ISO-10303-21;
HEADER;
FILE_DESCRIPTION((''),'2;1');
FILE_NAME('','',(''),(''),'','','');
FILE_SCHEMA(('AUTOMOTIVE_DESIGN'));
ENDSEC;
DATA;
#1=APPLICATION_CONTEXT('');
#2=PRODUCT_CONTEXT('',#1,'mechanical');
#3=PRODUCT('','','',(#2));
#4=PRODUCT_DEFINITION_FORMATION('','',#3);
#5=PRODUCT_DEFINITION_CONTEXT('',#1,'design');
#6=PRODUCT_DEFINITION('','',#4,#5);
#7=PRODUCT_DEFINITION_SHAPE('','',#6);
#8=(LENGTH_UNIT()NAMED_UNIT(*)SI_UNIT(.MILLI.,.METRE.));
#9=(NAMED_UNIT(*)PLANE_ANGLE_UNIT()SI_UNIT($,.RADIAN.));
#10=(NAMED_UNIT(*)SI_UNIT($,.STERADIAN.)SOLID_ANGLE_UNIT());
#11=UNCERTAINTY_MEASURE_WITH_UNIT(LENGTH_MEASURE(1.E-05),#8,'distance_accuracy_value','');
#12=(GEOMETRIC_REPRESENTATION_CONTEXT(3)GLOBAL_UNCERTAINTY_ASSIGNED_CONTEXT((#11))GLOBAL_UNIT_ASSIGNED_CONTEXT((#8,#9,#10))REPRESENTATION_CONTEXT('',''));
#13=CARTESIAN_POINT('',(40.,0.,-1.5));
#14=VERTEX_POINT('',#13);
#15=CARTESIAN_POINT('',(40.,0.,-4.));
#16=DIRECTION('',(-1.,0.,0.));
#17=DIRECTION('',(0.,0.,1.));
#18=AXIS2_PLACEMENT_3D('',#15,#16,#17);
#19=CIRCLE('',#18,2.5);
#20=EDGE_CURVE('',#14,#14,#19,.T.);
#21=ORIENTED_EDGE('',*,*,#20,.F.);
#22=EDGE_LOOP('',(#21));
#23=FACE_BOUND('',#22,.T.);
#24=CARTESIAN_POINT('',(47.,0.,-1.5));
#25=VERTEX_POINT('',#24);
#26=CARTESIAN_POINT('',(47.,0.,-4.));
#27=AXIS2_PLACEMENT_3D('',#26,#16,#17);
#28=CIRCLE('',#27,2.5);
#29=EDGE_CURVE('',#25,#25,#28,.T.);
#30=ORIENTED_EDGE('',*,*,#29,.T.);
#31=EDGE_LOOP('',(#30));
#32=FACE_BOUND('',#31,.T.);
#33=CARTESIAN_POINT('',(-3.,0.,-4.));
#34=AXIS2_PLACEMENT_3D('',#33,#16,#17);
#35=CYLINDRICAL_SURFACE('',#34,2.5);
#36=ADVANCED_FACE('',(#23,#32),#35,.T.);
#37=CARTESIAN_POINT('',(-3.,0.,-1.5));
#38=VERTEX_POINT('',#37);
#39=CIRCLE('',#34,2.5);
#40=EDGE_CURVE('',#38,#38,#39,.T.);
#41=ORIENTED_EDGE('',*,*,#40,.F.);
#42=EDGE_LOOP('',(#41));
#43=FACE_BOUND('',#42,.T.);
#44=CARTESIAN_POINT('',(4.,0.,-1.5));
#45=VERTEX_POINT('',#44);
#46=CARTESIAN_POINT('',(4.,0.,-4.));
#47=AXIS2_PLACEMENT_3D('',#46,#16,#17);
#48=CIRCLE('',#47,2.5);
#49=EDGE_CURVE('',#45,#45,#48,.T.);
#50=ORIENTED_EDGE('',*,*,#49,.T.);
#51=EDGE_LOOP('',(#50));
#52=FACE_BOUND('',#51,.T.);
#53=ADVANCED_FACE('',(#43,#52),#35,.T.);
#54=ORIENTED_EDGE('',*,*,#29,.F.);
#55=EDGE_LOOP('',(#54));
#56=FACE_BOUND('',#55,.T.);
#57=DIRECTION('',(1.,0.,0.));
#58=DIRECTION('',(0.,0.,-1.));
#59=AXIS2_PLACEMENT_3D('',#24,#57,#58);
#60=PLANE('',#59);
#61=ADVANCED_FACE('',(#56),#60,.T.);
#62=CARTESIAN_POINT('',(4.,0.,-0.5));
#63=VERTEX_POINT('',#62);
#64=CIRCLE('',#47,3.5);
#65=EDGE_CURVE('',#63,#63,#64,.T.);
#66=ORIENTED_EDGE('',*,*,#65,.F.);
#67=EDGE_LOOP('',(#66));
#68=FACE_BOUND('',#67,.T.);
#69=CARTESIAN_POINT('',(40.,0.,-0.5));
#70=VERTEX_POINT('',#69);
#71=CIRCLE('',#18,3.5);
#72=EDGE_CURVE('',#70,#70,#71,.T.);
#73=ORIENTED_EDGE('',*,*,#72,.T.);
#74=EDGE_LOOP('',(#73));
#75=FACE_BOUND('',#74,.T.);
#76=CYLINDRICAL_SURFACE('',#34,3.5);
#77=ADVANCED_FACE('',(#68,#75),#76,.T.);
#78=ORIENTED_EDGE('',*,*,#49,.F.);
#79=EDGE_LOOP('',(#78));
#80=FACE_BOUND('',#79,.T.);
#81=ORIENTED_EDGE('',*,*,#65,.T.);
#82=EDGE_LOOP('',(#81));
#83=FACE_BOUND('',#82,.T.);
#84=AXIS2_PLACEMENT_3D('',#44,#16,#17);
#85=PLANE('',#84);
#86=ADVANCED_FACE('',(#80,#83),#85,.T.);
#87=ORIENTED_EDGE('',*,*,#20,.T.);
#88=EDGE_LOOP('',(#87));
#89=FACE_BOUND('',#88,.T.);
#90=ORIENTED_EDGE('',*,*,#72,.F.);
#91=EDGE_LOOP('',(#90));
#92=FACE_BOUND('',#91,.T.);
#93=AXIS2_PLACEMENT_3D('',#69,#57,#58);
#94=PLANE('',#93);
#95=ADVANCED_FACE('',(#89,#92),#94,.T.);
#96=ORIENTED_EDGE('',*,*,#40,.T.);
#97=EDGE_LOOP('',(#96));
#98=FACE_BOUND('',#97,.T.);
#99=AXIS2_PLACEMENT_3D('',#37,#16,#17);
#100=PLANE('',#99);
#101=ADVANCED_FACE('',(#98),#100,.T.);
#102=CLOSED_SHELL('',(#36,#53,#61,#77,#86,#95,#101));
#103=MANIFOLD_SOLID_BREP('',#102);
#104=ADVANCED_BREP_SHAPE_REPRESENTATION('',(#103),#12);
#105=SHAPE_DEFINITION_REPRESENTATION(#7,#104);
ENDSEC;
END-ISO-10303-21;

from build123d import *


with BuildPart() as part:
    # Sketch1 → Revolve1 (revolve)
    with BuildSketch(Plane(origin=(0, 0, 0), x_dir=(1, 0, 0), z_dir=(0, 1, 0))):
        Polygon((47, 1.5), (40, 1.5), (40, 0.5), (4, 0.5), (4, 1.5), (-3, 1.5), (-3, 4), (47, 4), align=None)
    revolve(axis=Axis((-3, 0, -4), (1, 0, 0)))


solid = part.part
